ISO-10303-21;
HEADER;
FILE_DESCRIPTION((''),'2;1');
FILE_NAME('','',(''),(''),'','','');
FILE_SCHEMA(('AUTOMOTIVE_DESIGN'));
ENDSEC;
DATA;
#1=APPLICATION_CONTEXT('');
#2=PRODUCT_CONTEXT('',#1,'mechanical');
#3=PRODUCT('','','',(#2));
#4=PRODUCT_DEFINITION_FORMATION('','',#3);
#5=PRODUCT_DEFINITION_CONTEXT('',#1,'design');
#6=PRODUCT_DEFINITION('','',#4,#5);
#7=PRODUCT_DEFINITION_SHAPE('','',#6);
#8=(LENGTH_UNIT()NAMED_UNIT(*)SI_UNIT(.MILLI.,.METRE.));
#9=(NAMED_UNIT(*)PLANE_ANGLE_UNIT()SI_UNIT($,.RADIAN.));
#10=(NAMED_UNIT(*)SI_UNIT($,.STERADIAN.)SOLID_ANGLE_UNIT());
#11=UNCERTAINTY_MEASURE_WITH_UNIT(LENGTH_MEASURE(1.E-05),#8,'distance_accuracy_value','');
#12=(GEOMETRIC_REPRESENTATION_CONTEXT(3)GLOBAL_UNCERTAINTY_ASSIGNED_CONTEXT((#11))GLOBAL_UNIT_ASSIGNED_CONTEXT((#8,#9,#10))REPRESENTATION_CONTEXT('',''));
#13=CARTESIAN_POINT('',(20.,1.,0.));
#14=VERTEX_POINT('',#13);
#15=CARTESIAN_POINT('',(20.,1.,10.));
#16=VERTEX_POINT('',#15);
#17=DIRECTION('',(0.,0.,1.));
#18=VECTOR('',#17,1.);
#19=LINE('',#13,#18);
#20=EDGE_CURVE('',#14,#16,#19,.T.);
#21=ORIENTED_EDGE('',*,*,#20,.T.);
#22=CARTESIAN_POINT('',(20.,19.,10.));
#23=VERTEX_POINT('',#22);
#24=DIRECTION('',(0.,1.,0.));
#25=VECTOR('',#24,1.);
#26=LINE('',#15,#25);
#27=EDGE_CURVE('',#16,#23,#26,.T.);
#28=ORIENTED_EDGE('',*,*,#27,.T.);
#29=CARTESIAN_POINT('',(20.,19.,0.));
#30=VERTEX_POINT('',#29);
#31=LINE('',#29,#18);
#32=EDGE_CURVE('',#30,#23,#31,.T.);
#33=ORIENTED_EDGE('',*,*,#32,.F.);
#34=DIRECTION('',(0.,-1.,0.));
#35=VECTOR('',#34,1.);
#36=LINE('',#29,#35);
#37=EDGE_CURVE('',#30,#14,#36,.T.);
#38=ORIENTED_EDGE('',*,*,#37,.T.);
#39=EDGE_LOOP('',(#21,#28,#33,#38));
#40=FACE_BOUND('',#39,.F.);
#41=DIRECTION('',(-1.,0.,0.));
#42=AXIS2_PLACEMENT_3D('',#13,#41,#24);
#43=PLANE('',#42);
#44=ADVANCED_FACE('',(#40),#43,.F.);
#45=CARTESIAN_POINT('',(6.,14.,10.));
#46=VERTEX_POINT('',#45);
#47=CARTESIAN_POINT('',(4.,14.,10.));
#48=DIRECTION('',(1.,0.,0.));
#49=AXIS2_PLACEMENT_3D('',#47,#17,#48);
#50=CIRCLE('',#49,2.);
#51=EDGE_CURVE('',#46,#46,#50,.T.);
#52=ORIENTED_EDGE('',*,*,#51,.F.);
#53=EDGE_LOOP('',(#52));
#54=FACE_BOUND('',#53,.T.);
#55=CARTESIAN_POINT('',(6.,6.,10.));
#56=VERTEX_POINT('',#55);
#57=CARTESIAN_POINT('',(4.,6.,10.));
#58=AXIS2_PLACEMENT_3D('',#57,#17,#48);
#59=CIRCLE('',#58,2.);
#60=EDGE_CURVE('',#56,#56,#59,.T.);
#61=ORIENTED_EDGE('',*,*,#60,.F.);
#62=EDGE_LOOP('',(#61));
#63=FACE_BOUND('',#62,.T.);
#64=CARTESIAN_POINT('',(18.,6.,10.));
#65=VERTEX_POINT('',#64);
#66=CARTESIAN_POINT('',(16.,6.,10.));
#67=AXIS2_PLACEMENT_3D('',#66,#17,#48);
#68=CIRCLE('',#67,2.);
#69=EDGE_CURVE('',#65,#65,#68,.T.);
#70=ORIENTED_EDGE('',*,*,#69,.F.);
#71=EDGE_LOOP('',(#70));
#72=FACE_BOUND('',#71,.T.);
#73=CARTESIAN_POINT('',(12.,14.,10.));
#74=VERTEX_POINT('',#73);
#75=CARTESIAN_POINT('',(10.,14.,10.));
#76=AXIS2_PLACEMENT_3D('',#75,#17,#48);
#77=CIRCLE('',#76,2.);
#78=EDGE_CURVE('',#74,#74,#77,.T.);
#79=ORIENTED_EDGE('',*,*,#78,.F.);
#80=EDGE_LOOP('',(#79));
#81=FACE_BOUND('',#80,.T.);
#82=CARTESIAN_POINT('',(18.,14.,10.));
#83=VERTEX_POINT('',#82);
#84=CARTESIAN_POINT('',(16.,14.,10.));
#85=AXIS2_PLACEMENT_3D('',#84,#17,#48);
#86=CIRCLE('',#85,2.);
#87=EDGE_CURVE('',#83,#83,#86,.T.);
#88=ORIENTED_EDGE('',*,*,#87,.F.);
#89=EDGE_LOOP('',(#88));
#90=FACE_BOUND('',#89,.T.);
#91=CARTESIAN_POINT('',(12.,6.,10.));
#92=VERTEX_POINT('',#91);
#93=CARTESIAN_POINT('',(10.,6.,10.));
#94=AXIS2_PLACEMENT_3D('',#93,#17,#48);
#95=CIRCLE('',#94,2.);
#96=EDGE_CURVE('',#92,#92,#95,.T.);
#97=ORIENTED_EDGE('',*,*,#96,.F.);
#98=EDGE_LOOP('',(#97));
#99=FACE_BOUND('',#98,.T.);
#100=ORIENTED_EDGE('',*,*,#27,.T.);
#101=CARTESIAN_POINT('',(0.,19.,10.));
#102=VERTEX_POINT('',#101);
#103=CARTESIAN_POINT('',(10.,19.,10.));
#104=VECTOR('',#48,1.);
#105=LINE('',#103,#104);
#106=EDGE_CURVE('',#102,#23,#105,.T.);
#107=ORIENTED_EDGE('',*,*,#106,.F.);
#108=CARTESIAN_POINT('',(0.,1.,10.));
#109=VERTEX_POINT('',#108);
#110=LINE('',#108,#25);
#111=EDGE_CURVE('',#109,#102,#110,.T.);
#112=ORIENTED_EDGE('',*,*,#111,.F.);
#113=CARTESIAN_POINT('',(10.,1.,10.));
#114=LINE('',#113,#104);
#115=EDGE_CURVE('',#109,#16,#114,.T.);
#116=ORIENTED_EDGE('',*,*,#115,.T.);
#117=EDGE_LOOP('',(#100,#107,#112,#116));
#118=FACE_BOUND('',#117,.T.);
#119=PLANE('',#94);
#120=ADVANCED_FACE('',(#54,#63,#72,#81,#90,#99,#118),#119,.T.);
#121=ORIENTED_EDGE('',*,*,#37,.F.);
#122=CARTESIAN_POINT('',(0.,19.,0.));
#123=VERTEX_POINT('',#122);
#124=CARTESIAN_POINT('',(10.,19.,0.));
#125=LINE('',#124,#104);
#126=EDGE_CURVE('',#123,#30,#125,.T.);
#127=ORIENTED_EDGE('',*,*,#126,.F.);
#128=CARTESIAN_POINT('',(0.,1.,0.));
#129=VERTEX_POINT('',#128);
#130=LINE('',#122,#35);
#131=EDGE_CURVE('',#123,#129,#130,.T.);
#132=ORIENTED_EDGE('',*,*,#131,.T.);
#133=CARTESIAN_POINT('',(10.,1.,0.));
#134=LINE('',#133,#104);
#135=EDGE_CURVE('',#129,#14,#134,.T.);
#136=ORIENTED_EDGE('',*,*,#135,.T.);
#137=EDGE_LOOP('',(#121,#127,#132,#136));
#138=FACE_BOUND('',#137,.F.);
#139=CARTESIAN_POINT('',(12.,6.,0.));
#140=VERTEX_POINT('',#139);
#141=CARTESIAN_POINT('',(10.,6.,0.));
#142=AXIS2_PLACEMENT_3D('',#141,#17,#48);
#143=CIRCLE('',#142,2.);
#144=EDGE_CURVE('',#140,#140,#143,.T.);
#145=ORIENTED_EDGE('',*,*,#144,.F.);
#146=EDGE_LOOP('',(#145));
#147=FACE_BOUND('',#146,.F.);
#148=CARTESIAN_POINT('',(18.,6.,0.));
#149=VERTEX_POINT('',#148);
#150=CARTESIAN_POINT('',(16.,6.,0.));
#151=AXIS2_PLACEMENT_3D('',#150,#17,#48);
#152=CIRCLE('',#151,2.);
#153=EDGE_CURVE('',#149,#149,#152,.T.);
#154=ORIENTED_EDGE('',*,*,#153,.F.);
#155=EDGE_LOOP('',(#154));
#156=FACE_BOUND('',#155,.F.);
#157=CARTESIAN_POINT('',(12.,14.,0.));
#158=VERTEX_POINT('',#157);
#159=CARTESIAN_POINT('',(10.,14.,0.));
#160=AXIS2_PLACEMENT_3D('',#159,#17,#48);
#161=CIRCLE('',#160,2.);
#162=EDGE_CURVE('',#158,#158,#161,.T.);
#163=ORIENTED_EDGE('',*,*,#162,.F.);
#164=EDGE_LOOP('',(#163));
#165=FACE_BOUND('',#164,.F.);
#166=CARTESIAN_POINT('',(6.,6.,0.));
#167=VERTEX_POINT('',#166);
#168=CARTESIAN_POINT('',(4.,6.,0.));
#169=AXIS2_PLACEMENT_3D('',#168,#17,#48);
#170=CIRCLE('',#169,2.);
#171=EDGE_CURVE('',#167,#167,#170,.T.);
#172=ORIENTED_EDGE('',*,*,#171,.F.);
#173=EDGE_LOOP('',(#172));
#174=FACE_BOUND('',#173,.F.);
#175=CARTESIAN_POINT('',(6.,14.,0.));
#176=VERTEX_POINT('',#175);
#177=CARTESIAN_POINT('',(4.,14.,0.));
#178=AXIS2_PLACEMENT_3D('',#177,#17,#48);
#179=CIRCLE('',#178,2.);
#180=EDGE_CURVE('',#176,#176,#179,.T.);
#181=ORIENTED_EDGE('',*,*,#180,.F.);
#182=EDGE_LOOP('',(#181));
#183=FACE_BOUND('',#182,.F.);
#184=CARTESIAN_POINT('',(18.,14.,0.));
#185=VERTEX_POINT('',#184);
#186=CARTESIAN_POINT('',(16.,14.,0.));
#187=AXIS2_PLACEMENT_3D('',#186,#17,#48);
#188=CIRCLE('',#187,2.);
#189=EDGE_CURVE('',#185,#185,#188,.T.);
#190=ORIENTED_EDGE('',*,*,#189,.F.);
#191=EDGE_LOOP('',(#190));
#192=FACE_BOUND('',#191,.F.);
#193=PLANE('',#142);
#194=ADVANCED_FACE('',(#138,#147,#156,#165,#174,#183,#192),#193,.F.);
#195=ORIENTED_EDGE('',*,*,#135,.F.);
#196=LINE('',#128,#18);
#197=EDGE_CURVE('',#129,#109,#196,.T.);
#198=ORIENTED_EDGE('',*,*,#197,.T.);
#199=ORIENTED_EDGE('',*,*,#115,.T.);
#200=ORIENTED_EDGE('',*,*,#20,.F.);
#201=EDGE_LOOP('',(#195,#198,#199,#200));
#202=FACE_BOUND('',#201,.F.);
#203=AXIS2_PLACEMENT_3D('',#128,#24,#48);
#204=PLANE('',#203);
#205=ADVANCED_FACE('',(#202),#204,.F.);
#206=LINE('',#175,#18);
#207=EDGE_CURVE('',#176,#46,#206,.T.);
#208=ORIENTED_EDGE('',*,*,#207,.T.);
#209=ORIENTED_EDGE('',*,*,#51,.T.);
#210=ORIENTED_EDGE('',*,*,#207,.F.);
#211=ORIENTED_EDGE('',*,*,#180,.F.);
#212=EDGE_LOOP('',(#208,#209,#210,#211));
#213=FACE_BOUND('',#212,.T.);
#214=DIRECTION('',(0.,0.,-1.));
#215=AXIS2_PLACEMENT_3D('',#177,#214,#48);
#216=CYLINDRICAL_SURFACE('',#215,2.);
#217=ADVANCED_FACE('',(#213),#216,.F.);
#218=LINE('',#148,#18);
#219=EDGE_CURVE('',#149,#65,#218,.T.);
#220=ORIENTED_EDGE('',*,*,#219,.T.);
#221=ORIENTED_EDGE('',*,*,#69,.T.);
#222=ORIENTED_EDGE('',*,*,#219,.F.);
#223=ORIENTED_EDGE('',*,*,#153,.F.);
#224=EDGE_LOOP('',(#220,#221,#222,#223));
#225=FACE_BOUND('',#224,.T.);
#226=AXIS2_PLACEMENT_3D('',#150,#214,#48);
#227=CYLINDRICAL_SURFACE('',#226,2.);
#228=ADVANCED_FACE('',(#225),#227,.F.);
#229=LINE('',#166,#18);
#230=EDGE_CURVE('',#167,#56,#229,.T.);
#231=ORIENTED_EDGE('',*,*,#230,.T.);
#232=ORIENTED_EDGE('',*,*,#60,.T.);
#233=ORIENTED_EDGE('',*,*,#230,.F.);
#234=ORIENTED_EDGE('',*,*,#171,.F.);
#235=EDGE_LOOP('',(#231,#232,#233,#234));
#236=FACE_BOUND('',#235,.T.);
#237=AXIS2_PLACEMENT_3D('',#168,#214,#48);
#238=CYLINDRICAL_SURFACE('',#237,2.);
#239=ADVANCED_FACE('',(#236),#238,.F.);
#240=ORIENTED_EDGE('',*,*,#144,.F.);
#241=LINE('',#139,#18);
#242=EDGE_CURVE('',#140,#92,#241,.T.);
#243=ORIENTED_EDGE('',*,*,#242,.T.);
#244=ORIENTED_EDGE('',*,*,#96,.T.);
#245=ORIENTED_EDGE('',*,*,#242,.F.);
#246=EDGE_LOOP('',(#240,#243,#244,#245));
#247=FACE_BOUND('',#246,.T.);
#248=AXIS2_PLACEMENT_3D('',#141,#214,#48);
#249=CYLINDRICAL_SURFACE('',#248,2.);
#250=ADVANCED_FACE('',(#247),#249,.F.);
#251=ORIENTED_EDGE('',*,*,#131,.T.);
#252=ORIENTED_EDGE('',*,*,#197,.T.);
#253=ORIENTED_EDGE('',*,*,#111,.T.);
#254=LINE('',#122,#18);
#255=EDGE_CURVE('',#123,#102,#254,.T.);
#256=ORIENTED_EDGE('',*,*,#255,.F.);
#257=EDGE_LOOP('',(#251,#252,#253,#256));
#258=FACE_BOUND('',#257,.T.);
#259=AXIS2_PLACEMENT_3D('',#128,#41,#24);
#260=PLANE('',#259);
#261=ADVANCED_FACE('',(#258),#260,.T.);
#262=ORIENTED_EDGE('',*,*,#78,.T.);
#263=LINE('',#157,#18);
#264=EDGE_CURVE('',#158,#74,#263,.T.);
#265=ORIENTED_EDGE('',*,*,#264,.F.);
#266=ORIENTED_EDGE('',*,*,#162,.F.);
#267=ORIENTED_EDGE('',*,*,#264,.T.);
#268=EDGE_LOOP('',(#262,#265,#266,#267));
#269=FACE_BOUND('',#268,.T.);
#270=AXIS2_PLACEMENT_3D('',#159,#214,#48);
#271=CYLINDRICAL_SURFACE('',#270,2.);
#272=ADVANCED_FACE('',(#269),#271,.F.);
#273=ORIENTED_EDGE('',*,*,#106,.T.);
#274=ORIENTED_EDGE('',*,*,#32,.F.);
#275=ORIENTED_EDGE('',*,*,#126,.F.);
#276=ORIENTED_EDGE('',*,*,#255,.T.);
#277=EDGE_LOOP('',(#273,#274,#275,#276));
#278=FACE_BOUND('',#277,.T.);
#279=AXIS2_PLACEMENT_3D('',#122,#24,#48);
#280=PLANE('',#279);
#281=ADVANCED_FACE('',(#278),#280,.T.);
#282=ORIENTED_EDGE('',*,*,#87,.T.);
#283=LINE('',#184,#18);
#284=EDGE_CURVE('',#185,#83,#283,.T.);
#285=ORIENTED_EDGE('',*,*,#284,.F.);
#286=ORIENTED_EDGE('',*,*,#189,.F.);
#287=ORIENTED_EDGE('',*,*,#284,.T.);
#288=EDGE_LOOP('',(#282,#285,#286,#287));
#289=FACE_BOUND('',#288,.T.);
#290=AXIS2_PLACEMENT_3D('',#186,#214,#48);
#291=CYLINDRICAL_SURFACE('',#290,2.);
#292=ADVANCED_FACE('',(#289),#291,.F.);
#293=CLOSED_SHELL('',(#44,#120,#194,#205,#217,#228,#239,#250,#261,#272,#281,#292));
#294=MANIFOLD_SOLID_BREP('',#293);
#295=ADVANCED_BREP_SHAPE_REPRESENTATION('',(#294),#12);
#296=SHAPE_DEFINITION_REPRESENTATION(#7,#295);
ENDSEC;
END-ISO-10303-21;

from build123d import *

# Parameters (mm, degrees)
CYLINDER001_R     = 2
CYLINDER001_DEPTH = 10
CYLINDER002_R     = 2
CYLINDER002_DEPTH = 10
CYLINDER_R        = 2
CYLINDER_DEPTH    = 10
BOX_W             = 20
BOX_H             = 10
BOX_DEPTH         = 10
CYLINDER004_R     = 2
CYLINDER004_DEPTH = 10
CYLINDER005_R     = 2
CYLINDER005_DEPTH = 10
CYLINDER003_R     = 2
CYLINDER003_DEPTH = 10
BOX001_W          = 20
BOX001_H          = 10
BOX001_DEPTH      = 10


with BuildPart() as cylinder001:
    # Cylinder001 → Cylinder001 (new body)
    with BuildSketch(Plane(origin=(10, 5, 0), x_dir=(1, 0, 0), z_dir=(0, 0, 1))):
        Circle(CYLINDER001_R)
    extrude(amount=CYLINDER001_DEPTH)


with BuildPart() as cylinder002:
    # Cylinder002 → Cylinder002 (new body)
    with BuildSketch(Plane(origin=(16, 5, 0), x_dir=(1, 0, 0), z_dir=(0, 0, 1))):
        Circle(CYLINDER002_R)
    extrude(amount=CYLINDER002_DEPTH)


with BuildPart() as cylinder:
    # Cylinder → Cylinder (new body)
    with BuildSketch(Plane(origin=(4, 5, 0), x_dir=(1, 0, 0), z_dir=(0, 0, 1))):
        Circle(CYLINDER_R)
    extrude(amount=CYLINDER_DEPTH)


with BuildPart() as cut002:
    # Box → Box (new body)
    with BuildSketch(Plane.XY):
        with Locations((10, 5)):
            Rectangle(BOX_W, BOX_H)
    extrude(amount=BOX_DEPTH)

    # Cut: cut Cylinder
    add(cylinder.part, mode=Mode.SUBTRACT)

    # Cut001: cut Cylinder002
    add(cylinder002.part, mode=Mode.SUBTRACT)

    # Cut002: cut Cylinder001
    add(cylinder001.part, mode=Mode.SUBTRACT)


with BuildPart() as cut002_1:
    # Cut002 placement: moved
    add(cut002.part.moved(Location((0, 9, 0))))


with BuildPart() as cylinder004:
    # Cylinder004 → Cylinder004 (new body)
    with BuildSketch(Plane(origin=(10, 5, 0), x_dir=(1, 0, 0), z_dir=(0, 0, 1))):
        Circle(CYLINDER004_R)
    extrude(amount=CYLINDER004_DEPTH)


with BuildPart() as cylinder005:
    # Cylinder005 → Cylinder005 (new body)
    with BuildSketch(Plane(origin=(16, 5, 0), x_dir=(1, 0, 0), z_dir=(0, 0, 1))):
        Circle(CYLINDER005_R)
    extrude(amount=CYLINDER005_DEPTH)


with BuildPart() as cylinder003:
    # Cylinder003 → Cylinder003 (new body)
    with BuildSketch(Plane(origin=(4, 5, 0), x_dir=(1, 0, 0), z_dir=(0, 0, 1))):
        Circle(CYLINDER003_R)
    extrude(amount=CYLINDER003_DEPTH)


with BuildPart() as fusion:
    # Box001 → Box001 (new body)
    with BuildSketch(Plane.XY):
        with Locations((10, 5)):
            Rectangle(BOX001_W, BOX001_H)
    extrude(amount=BOX001_DEPTH)

    # Cut003: cut Cylinder003
    add(cylinder003.part, mode=Mode.SUBTRACT)

    # Cut004: cut Cylinder005
    add(cylinder005.part, mode=Mode.SUBTRACT)

    # Cut005: cut Cylinder004
    add(cylinder004.part, mode=Mode.SUBTRACT)


with BuildPart() as fusion_1:
    # Cut005 placement: moved
    add(fusion.part.moved(Location((0, 1, 0))))

    # Fusion: union Cut002
    add(cut002_1.part)


solid = fusion_1.part
